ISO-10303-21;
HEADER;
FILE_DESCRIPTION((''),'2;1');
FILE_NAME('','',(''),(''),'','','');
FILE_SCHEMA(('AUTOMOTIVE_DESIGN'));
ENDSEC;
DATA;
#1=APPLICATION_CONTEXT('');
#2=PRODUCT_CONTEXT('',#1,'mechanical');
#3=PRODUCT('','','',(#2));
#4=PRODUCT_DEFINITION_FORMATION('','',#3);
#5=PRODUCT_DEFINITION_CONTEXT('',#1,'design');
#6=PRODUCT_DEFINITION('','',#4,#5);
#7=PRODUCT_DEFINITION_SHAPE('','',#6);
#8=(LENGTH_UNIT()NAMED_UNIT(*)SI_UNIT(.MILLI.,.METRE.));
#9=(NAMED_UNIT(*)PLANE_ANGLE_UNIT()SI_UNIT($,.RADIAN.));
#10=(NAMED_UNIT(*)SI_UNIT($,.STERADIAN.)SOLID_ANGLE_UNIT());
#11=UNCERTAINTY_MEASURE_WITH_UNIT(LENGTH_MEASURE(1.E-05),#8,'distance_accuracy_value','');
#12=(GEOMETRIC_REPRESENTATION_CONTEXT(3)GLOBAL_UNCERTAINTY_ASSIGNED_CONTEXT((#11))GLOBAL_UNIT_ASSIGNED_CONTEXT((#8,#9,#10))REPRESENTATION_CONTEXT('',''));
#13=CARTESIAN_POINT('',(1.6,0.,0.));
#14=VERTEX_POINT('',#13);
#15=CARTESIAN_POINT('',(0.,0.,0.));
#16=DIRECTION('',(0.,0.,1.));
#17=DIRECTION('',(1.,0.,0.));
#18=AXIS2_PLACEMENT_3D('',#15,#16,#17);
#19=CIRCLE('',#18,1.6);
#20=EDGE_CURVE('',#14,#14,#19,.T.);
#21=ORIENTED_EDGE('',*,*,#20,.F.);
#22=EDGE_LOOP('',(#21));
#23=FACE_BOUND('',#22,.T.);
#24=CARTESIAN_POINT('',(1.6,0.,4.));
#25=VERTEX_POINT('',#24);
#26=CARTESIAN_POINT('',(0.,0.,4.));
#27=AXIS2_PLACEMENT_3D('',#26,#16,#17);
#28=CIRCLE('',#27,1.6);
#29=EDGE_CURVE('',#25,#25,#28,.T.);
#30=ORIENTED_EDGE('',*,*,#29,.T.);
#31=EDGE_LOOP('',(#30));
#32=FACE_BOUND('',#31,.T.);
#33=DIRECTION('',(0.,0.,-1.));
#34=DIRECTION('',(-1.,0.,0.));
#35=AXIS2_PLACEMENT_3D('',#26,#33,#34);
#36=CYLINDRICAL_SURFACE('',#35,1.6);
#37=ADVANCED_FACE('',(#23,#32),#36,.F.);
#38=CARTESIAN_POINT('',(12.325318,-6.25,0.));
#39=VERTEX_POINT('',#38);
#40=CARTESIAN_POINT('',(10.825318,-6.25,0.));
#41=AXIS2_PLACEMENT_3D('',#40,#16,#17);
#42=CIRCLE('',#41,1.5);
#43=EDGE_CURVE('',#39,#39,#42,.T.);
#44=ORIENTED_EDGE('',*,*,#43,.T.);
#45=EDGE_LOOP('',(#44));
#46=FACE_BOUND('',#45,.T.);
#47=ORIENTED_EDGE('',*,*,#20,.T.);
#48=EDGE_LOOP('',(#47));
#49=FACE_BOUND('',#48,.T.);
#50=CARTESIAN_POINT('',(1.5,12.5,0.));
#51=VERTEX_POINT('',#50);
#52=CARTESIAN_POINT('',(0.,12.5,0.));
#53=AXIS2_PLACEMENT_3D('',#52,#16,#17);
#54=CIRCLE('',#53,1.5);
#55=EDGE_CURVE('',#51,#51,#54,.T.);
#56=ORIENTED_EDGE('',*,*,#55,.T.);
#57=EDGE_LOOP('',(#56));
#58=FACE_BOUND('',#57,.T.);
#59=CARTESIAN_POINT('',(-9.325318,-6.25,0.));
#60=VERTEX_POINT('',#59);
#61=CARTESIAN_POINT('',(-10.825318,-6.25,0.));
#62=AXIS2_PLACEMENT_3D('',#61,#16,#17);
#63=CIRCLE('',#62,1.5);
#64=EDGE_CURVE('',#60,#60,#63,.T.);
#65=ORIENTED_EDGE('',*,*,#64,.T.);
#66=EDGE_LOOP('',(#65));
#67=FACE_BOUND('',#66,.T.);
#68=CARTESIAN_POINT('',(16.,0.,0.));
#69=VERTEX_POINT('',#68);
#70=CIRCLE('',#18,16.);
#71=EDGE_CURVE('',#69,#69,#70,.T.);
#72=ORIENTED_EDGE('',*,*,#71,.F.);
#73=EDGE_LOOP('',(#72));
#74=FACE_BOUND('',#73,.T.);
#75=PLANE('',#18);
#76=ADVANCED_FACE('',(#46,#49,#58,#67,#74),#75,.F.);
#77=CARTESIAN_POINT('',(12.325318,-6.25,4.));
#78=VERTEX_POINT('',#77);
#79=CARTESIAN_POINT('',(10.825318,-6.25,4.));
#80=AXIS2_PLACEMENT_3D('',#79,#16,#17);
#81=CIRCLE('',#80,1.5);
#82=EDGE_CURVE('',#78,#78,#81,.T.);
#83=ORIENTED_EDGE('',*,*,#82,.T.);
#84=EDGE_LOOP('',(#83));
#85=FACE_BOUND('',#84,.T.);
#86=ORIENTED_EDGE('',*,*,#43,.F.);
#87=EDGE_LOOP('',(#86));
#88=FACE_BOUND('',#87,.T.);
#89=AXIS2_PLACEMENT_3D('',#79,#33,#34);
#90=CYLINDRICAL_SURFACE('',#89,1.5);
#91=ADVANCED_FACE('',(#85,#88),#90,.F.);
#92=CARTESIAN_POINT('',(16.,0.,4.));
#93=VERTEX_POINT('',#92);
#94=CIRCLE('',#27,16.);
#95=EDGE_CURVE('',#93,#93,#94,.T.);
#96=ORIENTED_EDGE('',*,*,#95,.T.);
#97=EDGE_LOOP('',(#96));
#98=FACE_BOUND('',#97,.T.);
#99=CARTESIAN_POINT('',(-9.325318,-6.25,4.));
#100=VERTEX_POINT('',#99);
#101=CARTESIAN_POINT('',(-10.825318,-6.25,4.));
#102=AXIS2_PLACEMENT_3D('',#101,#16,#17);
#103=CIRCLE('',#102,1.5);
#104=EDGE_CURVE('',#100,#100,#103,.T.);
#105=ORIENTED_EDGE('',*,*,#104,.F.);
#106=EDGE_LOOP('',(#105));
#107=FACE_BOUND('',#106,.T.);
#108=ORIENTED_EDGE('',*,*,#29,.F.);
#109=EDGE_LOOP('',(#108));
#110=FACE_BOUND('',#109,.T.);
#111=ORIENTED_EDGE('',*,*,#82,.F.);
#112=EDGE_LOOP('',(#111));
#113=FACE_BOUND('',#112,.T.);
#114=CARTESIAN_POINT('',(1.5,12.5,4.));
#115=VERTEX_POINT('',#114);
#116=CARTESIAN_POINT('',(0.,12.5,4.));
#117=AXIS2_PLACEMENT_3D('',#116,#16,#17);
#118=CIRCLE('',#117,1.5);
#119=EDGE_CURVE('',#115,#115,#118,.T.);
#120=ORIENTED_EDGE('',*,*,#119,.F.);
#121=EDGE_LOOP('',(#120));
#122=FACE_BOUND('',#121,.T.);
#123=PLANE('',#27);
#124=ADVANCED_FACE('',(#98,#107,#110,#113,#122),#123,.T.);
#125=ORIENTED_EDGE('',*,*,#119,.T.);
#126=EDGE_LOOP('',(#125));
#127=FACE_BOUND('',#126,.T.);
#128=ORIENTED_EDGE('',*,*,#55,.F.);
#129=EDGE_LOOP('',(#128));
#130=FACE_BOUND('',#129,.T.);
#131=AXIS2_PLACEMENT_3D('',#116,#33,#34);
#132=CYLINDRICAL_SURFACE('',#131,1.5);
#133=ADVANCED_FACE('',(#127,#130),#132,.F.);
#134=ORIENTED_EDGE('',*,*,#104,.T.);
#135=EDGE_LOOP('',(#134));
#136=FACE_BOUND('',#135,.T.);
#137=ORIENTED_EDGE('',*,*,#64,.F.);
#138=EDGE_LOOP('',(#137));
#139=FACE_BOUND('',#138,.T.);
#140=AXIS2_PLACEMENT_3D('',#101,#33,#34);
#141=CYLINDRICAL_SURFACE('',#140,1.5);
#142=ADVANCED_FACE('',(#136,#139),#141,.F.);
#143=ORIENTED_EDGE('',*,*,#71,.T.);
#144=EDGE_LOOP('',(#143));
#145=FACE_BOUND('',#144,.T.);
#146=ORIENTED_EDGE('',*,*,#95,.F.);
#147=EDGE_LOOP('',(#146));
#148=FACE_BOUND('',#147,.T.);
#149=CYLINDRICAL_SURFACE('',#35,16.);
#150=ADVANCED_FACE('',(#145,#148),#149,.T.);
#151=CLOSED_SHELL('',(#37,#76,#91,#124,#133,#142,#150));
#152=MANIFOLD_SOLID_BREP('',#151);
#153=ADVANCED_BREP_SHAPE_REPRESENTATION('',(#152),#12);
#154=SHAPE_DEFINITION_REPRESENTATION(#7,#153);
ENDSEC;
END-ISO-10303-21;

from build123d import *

# Parameters (mm, degrees)
CROQUIS1_R              = 16
CROQUIS1_R_2            = 1.5
CROQUIS1_R_3            = 1.6
SALIENTE_EXTRUIR1_DEPTH = 4


with BuildPart() as part:
    # Croquis1 → Saliente-Extruir1 (new body)
    with BuildSketch(Plane.XY):
        Circle(CROQUIS1_R)
        with Locations((0, 12.5)):
            Circle(CROQUIS1_R_2, mode=Mode.SUBTRACT)
        with Locations((10.825317547, -6.25)):
            Circle(CROQUIS1_R_2, mode=Mode.SUBTRACT)
        with Locations((-10.825317547, -6.25)):
            Circle(CROQUIS1_R_2, mode=Mode.SUBTRACT)
        Circle(CROQUIS1_R_3, mode=Mode.SUBTRACT)
    extrude(amount=SALIENTE_EXTRUIR1_DEPTH)


solid = part.part
